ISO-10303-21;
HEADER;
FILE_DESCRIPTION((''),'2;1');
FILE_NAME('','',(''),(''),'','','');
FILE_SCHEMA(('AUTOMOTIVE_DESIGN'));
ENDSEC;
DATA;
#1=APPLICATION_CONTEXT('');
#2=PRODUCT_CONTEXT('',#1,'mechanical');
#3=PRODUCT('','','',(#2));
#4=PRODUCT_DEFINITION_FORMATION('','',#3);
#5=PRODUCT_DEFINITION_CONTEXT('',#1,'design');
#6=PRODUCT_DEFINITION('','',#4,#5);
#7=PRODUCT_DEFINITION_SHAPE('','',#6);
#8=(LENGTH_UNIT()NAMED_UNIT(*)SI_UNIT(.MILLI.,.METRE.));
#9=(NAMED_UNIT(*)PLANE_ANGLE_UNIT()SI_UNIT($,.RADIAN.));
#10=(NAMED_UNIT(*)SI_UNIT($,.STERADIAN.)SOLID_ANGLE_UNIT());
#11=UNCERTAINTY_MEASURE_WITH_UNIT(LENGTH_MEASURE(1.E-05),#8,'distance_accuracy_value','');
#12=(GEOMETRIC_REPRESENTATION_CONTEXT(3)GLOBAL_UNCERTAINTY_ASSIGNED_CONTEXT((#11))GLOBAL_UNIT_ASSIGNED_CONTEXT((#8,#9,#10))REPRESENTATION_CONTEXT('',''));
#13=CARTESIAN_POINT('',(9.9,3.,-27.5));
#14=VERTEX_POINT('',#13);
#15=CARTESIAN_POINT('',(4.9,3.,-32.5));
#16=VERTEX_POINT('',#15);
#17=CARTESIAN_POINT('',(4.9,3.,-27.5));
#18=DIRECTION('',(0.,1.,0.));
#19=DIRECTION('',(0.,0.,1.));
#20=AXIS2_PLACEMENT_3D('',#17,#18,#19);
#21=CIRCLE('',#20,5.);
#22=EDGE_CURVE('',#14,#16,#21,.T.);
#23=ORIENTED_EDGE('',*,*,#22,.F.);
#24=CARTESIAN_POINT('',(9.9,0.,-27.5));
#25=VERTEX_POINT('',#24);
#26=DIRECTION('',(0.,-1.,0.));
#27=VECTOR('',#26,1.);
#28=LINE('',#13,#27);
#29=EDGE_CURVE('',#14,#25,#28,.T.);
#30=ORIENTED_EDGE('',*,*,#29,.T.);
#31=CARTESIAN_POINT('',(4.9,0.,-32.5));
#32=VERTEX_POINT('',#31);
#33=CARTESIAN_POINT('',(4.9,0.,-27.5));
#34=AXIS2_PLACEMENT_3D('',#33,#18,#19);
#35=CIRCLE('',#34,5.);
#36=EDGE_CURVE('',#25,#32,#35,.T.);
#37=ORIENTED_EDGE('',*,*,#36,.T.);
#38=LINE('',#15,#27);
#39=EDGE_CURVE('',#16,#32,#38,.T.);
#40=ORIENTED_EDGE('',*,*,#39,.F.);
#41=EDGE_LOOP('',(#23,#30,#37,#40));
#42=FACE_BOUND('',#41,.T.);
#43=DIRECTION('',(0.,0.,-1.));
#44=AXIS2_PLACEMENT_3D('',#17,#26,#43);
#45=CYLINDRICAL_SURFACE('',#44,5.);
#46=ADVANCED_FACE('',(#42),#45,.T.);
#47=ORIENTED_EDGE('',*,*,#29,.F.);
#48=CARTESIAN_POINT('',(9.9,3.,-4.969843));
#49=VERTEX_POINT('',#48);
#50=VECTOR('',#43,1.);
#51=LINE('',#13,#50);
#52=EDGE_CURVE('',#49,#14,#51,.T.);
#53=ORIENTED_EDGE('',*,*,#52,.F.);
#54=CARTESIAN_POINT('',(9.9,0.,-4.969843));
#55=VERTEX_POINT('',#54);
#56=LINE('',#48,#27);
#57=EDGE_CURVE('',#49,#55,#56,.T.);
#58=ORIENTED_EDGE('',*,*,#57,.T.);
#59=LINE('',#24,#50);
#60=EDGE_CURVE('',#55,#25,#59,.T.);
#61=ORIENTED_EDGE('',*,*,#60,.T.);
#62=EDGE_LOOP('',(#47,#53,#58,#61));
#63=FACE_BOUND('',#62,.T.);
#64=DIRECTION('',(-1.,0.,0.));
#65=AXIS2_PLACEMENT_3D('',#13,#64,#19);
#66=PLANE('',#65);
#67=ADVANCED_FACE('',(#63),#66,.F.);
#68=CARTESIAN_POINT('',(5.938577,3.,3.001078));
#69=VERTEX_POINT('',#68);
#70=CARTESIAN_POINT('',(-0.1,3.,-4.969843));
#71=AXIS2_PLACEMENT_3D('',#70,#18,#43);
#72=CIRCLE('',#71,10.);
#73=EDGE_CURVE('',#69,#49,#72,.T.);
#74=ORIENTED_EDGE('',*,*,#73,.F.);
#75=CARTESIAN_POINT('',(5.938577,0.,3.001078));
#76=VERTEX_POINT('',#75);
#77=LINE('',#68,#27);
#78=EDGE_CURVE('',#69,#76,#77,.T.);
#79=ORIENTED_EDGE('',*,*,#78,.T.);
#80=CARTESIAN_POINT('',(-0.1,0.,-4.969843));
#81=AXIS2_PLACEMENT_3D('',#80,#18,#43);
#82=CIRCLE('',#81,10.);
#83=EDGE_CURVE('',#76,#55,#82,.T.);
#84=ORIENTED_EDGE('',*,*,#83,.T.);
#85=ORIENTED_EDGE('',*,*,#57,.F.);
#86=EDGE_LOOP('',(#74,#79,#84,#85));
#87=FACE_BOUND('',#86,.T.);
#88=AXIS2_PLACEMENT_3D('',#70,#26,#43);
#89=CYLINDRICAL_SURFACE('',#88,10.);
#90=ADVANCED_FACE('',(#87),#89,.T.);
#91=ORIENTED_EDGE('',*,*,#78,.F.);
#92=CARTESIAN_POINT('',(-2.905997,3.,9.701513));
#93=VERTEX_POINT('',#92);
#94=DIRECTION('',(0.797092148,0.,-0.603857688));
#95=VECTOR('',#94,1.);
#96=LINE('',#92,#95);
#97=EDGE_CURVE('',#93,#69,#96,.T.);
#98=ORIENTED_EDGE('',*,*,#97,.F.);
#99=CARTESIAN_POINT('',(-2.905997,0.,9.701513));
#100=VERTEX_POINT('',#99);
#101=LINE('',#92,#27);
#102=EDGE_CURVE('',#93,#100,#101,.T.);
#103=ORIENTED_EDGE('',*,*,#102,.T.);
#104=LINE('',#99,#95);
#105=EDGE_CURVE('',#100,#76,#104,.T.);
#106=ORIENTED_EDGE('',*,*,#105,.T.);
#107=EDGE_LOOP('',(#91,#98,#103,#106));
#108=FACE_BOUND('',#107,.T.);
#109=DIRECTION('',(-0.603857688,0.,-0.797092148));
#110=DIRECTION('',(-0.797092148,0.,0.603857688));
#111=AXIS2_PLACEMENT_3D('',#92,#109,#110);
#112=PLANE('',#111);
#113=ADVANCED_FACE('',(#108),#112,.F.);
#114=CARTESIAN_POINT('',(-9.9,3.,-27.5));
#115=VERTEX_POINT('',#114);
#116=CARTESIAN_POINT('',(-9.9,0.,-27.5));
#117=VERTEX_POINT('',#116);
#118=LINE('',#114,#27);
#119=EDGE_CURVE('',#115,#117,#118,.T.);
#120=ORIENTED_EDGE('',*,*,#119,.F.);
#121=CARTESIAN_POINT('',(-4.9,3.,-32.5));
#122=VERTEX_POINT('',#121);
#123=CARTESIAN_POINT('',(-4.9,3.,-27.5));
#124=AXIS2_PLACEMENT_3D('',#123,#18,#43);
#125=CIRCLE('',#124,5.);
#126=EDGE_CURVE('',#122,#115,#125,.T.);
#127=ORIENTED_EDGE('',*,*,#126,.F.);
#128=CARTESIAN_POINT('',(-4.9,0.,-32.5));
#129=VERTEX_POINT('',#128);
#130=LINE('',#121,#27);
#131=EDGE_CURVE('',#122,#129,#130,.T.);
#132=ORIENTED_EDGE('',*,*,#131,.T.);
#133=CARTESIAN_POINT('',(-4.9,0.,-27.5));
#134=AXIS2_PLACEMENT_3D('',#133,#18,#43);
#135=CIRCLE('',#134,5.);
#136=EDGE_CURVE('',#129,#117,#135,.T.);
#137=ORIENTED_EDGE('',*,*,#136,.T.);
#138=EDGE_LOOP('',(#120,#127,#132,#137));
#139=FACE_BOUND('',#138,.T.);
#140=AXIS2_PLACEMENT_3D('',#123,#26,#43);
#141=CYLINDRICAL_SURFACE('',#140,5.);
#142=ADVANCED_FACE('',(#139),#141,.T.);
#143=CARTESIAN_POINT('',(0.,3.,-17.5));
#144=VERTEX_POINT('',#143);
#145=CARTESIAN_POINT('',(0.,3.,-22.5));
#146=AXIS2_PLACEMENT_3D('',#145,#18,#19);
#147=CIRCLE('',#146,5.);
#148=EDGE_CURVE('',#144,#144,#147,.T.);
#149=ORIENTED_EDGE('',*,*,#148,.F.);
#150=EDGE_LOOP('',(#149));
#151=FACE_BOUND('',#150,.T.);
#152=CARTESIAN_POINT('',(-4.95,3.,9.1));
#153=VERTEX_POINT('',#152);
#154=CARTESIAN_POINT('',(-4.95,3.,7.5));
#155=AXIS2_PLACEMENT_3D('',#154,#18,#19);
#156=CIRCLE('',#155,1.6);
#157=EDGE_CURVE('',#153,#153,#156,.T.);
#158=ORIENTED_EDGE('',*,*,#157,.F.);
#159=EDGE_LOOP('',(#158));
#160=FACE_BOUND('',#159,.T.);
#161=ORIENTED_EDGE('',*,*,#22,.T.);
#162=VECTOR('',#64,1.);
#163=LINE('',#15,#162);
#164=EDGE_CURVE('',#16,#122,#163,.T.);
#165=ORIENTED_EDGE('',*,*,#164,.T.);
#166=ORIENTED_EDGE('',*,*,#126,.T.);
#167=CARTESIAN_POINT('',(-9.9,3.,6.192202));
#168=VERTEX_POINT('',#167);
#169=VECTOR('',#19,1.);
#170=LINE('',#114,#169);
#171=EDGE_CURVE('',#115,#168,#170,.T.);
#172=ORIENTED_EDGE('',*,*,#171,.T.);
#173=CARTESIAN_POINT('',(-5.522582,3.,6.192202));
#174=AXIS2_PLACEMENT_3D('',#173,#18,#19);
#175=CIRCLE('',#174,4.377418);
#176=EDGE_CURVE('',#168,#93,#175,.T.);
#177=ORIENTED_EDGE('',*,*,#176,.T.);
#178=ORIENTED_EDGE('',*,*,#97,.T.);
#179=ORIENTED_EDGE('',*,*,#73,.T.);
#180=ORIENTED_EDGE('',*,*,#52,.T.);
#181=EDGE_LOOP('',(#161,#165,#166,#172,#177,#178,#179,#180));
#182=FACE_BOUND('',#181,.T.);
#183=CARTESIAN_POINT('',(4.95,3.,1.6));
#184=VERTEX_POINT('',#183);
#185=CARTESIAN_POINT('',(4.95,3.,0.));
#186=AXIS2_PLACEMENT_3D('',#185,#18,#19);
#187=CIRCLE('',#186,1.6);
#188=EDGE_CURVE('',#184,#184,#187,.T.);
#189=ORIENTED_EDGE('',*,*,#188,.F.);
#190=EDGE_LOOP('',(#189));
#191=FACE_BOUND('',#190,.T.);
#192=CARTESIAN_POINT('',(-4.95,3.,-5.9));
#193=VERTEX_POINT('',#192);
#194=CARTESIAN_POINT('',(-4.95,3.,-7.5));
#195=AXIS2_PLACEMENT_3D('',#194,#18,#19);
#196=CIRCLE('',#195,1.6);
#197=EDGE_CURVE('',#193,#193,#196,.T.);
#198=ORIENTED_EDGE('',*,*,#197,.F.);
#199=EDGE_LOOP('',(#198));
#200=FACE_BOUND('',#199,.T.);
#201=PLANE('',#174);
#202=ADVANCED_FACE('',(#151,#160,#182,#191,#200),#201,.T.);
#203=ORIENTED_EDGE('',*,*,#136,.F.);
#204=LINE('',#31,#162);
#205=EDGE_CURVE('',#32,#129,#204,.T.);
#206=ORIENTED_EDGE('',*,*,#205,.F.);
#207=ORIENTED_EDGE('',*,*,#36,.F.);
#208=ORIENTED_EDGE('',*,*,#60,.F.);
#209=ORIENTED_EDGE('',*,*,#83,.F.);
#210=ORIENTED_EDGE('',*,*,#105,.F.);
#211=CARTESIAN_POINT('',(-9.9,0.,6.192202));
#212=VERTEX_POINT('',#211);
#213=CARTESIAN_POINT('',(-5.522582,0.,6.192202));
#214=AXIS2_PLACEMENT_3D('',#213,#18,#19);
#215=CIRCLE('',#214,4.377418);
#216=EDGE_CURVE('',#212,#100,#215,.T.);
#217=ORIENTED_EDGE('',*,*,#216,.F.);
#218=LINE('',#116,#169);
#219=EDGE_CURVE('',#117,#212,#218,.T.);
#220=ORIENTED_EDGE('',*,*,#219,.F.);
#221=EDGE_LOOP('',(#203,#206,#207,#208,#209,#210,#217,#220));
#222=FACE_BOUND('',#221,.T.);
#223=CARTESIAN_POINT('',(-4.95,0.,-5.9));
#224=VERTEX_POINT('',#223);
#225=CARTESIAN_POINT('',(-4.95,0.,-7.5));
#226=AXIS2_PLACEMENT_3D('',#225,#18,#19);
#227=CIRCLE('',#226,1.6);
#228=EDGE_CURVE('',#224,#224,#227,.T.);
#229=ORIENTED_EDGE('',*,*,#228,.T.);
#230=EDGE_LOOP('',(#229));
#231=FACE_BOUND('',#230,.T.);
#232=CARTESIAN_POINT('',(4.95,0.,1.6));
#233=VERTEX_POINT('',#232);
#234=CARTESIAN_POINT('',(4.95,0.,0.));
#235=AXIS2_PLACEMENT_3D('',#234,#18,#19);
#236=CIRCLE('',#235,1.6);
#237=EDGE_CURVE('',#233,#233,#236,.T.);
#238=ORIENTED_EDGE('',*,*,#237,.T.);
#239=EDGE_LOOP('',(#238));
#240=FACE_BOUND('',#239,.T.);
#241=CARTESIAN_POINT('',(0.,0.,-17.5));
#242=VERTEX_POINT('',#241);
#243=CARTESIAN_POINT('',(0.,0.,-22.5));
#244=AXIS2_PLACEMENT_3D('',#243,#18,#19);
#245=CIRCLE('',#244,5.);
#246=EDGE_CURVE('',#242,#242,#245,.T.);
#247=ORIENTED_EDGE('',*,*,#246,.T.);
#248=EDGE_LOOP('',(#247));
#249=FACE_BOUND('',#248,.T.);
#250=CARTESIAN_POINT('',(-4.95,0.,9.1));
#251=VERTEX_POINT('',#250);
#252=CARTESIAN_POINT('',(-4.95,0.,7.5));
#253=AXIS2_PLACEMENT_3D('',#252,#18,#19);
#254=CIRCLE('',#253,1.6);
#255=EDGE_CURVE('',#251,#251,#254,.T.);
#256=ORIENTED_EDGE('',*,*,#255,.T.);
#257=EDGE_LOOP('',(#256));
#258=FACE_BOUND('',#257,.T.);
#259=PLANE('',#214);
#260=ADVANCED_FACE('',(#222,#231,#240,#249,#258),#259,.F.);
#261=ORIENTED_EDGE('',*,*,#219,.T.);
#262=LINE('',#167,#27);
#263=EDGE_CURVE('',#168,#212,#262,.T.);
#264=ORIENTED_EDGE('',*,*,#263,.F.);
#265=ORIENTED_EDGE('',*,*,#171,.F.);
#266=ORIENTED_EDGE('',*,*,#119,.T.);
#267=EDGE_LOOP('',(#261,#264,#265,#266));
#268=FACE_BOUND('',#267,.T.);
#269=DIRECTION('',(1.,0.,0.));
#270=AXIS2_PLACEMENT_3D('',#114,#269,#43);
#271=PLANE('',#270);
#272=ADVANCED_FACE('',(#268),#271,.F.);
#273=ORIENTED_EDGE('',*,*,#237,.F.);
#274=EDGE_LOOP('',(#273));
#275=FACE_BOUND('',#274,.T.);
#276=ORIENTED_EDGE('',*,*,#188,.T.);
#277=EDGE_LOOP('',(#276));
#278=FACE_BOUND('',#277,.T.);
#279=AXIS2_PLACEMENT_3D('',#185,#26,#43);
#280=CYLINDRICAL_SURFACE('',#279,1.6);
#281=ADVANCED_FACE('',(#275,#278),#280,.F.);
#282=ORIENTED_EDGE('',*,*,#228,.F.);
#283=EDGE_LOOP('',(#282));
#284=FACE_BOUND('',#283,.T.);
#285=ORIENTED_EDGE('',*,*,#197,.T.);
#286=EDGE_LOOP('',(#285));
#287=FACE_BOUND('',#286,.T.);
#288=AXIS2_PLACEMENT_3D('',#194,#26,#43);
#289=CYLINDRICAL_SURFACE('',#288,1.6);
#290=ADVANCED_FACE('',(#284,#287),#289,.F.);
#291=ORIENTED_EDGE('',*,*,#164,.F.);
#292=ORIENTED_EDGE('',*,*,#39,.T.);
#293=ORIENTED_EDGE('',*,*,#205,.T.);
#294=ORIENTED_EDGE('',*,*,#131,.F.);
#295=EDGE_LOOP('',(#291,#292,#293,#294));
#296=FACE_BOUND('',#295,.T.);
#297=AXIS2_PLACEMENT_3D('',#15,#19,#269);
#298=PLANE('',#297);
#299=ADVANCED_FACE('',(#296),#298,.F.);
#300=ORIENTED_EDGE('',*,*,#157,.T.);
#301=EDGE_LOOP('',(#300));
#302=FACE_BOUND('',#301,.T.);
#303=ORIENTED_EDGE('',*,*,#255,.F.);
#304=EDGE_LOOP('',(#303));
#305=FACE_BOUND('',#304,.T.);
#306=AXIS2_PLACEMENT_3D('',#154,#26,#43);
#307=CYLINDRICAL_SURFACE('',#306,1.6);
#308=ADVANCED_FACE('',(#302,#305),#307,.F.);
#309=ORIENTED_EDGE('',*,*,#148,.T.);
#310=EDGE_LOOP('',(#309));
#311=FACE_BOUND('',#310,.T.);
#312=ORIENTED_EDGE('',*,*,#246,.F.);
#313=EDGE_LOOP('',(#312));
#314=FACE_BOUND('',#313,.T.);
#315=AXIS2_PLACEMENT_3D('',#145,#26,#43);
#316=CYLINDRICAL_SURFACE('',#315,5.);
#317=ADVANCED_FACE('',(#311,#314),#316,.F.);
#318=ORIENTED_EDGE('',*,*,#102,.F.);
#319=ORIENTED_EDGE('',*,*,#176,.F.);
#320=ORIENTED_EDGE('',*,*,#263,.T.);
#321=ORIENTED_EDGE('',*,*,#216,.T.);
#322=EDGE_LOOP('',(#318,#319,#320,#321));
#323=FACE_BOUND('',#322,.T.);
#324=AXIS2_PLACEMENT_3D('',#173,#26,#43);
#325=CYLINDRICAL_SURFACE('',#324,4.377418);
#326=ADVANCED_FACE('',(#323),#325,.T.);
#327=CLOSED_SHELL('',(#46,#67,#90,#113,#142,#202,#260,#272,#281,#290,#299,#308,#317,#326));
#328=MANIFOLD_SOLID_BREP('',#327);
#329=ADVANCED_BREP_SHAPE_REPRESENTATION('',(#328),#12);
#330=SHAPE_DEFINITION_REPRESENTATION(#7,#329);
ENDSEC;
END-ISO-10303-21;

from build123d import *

# Parameters (mm, degrees)
SKETCH1_R           = 1.6
SKETCH1_R_2         = 5
BOSS_EXTRUDE1_DEPTH = 3


with BuildPart() as part:
    # Sketch1 → Boss-Extrude1 (new body)
    with BuildSketch(Plane(origin=(0, 0, 0), x_dir=(1, 0, 0), z_dir=(0, 1, 0))):
        with BuildLine():
            Line((-9.9, 27.5), (-9.9, -6.192201576))
            ThreePointArc((-9.9, -6.192201576), (-7.485730167, -10.104724514), (-2.905997097, -9.701512952))
            Line((-2.905997097, -9.701512952), (5.93857688, -3.001078121))
            ThreePointArc((5.93857688, -3.001078121), (8.855047984, 0.519324784), (9.9, 4.96984336))
            Line((9.9, 4.96984336), (9.9, 27.5))
            ThreePointArc((9.9, 27.5), (8.435533906, 31.035533906), (4.9, 32.5))
            Line((4.9, 32.5), (-4.9, 32.5))
            ThreePointArc((-4.9, 32.5), (-8.435533906, 31.035533906), (-9.9, 27.5))
        make_face()
        with Locations((-4.95, 7.5)):
            Circle(SKETCH1_R, mode=Mode.SUBTRACT)
        with Locations((-4.95, -7.5)):
            Circle(SKETCH1_R, mode=Mode.SUBTRACT)
        with Locations((4.95, 0)):
            Circle(SKETCH1_R, mode=Mode.SUBTRACT)
        with Locations((0, 22.5)):
            Circle(SKETCH1_R_2, mode=Mode.SUBTRACT)
    extrude(amount=BOSS_EXTRUDE1_DEPTH)


solid = part.part
